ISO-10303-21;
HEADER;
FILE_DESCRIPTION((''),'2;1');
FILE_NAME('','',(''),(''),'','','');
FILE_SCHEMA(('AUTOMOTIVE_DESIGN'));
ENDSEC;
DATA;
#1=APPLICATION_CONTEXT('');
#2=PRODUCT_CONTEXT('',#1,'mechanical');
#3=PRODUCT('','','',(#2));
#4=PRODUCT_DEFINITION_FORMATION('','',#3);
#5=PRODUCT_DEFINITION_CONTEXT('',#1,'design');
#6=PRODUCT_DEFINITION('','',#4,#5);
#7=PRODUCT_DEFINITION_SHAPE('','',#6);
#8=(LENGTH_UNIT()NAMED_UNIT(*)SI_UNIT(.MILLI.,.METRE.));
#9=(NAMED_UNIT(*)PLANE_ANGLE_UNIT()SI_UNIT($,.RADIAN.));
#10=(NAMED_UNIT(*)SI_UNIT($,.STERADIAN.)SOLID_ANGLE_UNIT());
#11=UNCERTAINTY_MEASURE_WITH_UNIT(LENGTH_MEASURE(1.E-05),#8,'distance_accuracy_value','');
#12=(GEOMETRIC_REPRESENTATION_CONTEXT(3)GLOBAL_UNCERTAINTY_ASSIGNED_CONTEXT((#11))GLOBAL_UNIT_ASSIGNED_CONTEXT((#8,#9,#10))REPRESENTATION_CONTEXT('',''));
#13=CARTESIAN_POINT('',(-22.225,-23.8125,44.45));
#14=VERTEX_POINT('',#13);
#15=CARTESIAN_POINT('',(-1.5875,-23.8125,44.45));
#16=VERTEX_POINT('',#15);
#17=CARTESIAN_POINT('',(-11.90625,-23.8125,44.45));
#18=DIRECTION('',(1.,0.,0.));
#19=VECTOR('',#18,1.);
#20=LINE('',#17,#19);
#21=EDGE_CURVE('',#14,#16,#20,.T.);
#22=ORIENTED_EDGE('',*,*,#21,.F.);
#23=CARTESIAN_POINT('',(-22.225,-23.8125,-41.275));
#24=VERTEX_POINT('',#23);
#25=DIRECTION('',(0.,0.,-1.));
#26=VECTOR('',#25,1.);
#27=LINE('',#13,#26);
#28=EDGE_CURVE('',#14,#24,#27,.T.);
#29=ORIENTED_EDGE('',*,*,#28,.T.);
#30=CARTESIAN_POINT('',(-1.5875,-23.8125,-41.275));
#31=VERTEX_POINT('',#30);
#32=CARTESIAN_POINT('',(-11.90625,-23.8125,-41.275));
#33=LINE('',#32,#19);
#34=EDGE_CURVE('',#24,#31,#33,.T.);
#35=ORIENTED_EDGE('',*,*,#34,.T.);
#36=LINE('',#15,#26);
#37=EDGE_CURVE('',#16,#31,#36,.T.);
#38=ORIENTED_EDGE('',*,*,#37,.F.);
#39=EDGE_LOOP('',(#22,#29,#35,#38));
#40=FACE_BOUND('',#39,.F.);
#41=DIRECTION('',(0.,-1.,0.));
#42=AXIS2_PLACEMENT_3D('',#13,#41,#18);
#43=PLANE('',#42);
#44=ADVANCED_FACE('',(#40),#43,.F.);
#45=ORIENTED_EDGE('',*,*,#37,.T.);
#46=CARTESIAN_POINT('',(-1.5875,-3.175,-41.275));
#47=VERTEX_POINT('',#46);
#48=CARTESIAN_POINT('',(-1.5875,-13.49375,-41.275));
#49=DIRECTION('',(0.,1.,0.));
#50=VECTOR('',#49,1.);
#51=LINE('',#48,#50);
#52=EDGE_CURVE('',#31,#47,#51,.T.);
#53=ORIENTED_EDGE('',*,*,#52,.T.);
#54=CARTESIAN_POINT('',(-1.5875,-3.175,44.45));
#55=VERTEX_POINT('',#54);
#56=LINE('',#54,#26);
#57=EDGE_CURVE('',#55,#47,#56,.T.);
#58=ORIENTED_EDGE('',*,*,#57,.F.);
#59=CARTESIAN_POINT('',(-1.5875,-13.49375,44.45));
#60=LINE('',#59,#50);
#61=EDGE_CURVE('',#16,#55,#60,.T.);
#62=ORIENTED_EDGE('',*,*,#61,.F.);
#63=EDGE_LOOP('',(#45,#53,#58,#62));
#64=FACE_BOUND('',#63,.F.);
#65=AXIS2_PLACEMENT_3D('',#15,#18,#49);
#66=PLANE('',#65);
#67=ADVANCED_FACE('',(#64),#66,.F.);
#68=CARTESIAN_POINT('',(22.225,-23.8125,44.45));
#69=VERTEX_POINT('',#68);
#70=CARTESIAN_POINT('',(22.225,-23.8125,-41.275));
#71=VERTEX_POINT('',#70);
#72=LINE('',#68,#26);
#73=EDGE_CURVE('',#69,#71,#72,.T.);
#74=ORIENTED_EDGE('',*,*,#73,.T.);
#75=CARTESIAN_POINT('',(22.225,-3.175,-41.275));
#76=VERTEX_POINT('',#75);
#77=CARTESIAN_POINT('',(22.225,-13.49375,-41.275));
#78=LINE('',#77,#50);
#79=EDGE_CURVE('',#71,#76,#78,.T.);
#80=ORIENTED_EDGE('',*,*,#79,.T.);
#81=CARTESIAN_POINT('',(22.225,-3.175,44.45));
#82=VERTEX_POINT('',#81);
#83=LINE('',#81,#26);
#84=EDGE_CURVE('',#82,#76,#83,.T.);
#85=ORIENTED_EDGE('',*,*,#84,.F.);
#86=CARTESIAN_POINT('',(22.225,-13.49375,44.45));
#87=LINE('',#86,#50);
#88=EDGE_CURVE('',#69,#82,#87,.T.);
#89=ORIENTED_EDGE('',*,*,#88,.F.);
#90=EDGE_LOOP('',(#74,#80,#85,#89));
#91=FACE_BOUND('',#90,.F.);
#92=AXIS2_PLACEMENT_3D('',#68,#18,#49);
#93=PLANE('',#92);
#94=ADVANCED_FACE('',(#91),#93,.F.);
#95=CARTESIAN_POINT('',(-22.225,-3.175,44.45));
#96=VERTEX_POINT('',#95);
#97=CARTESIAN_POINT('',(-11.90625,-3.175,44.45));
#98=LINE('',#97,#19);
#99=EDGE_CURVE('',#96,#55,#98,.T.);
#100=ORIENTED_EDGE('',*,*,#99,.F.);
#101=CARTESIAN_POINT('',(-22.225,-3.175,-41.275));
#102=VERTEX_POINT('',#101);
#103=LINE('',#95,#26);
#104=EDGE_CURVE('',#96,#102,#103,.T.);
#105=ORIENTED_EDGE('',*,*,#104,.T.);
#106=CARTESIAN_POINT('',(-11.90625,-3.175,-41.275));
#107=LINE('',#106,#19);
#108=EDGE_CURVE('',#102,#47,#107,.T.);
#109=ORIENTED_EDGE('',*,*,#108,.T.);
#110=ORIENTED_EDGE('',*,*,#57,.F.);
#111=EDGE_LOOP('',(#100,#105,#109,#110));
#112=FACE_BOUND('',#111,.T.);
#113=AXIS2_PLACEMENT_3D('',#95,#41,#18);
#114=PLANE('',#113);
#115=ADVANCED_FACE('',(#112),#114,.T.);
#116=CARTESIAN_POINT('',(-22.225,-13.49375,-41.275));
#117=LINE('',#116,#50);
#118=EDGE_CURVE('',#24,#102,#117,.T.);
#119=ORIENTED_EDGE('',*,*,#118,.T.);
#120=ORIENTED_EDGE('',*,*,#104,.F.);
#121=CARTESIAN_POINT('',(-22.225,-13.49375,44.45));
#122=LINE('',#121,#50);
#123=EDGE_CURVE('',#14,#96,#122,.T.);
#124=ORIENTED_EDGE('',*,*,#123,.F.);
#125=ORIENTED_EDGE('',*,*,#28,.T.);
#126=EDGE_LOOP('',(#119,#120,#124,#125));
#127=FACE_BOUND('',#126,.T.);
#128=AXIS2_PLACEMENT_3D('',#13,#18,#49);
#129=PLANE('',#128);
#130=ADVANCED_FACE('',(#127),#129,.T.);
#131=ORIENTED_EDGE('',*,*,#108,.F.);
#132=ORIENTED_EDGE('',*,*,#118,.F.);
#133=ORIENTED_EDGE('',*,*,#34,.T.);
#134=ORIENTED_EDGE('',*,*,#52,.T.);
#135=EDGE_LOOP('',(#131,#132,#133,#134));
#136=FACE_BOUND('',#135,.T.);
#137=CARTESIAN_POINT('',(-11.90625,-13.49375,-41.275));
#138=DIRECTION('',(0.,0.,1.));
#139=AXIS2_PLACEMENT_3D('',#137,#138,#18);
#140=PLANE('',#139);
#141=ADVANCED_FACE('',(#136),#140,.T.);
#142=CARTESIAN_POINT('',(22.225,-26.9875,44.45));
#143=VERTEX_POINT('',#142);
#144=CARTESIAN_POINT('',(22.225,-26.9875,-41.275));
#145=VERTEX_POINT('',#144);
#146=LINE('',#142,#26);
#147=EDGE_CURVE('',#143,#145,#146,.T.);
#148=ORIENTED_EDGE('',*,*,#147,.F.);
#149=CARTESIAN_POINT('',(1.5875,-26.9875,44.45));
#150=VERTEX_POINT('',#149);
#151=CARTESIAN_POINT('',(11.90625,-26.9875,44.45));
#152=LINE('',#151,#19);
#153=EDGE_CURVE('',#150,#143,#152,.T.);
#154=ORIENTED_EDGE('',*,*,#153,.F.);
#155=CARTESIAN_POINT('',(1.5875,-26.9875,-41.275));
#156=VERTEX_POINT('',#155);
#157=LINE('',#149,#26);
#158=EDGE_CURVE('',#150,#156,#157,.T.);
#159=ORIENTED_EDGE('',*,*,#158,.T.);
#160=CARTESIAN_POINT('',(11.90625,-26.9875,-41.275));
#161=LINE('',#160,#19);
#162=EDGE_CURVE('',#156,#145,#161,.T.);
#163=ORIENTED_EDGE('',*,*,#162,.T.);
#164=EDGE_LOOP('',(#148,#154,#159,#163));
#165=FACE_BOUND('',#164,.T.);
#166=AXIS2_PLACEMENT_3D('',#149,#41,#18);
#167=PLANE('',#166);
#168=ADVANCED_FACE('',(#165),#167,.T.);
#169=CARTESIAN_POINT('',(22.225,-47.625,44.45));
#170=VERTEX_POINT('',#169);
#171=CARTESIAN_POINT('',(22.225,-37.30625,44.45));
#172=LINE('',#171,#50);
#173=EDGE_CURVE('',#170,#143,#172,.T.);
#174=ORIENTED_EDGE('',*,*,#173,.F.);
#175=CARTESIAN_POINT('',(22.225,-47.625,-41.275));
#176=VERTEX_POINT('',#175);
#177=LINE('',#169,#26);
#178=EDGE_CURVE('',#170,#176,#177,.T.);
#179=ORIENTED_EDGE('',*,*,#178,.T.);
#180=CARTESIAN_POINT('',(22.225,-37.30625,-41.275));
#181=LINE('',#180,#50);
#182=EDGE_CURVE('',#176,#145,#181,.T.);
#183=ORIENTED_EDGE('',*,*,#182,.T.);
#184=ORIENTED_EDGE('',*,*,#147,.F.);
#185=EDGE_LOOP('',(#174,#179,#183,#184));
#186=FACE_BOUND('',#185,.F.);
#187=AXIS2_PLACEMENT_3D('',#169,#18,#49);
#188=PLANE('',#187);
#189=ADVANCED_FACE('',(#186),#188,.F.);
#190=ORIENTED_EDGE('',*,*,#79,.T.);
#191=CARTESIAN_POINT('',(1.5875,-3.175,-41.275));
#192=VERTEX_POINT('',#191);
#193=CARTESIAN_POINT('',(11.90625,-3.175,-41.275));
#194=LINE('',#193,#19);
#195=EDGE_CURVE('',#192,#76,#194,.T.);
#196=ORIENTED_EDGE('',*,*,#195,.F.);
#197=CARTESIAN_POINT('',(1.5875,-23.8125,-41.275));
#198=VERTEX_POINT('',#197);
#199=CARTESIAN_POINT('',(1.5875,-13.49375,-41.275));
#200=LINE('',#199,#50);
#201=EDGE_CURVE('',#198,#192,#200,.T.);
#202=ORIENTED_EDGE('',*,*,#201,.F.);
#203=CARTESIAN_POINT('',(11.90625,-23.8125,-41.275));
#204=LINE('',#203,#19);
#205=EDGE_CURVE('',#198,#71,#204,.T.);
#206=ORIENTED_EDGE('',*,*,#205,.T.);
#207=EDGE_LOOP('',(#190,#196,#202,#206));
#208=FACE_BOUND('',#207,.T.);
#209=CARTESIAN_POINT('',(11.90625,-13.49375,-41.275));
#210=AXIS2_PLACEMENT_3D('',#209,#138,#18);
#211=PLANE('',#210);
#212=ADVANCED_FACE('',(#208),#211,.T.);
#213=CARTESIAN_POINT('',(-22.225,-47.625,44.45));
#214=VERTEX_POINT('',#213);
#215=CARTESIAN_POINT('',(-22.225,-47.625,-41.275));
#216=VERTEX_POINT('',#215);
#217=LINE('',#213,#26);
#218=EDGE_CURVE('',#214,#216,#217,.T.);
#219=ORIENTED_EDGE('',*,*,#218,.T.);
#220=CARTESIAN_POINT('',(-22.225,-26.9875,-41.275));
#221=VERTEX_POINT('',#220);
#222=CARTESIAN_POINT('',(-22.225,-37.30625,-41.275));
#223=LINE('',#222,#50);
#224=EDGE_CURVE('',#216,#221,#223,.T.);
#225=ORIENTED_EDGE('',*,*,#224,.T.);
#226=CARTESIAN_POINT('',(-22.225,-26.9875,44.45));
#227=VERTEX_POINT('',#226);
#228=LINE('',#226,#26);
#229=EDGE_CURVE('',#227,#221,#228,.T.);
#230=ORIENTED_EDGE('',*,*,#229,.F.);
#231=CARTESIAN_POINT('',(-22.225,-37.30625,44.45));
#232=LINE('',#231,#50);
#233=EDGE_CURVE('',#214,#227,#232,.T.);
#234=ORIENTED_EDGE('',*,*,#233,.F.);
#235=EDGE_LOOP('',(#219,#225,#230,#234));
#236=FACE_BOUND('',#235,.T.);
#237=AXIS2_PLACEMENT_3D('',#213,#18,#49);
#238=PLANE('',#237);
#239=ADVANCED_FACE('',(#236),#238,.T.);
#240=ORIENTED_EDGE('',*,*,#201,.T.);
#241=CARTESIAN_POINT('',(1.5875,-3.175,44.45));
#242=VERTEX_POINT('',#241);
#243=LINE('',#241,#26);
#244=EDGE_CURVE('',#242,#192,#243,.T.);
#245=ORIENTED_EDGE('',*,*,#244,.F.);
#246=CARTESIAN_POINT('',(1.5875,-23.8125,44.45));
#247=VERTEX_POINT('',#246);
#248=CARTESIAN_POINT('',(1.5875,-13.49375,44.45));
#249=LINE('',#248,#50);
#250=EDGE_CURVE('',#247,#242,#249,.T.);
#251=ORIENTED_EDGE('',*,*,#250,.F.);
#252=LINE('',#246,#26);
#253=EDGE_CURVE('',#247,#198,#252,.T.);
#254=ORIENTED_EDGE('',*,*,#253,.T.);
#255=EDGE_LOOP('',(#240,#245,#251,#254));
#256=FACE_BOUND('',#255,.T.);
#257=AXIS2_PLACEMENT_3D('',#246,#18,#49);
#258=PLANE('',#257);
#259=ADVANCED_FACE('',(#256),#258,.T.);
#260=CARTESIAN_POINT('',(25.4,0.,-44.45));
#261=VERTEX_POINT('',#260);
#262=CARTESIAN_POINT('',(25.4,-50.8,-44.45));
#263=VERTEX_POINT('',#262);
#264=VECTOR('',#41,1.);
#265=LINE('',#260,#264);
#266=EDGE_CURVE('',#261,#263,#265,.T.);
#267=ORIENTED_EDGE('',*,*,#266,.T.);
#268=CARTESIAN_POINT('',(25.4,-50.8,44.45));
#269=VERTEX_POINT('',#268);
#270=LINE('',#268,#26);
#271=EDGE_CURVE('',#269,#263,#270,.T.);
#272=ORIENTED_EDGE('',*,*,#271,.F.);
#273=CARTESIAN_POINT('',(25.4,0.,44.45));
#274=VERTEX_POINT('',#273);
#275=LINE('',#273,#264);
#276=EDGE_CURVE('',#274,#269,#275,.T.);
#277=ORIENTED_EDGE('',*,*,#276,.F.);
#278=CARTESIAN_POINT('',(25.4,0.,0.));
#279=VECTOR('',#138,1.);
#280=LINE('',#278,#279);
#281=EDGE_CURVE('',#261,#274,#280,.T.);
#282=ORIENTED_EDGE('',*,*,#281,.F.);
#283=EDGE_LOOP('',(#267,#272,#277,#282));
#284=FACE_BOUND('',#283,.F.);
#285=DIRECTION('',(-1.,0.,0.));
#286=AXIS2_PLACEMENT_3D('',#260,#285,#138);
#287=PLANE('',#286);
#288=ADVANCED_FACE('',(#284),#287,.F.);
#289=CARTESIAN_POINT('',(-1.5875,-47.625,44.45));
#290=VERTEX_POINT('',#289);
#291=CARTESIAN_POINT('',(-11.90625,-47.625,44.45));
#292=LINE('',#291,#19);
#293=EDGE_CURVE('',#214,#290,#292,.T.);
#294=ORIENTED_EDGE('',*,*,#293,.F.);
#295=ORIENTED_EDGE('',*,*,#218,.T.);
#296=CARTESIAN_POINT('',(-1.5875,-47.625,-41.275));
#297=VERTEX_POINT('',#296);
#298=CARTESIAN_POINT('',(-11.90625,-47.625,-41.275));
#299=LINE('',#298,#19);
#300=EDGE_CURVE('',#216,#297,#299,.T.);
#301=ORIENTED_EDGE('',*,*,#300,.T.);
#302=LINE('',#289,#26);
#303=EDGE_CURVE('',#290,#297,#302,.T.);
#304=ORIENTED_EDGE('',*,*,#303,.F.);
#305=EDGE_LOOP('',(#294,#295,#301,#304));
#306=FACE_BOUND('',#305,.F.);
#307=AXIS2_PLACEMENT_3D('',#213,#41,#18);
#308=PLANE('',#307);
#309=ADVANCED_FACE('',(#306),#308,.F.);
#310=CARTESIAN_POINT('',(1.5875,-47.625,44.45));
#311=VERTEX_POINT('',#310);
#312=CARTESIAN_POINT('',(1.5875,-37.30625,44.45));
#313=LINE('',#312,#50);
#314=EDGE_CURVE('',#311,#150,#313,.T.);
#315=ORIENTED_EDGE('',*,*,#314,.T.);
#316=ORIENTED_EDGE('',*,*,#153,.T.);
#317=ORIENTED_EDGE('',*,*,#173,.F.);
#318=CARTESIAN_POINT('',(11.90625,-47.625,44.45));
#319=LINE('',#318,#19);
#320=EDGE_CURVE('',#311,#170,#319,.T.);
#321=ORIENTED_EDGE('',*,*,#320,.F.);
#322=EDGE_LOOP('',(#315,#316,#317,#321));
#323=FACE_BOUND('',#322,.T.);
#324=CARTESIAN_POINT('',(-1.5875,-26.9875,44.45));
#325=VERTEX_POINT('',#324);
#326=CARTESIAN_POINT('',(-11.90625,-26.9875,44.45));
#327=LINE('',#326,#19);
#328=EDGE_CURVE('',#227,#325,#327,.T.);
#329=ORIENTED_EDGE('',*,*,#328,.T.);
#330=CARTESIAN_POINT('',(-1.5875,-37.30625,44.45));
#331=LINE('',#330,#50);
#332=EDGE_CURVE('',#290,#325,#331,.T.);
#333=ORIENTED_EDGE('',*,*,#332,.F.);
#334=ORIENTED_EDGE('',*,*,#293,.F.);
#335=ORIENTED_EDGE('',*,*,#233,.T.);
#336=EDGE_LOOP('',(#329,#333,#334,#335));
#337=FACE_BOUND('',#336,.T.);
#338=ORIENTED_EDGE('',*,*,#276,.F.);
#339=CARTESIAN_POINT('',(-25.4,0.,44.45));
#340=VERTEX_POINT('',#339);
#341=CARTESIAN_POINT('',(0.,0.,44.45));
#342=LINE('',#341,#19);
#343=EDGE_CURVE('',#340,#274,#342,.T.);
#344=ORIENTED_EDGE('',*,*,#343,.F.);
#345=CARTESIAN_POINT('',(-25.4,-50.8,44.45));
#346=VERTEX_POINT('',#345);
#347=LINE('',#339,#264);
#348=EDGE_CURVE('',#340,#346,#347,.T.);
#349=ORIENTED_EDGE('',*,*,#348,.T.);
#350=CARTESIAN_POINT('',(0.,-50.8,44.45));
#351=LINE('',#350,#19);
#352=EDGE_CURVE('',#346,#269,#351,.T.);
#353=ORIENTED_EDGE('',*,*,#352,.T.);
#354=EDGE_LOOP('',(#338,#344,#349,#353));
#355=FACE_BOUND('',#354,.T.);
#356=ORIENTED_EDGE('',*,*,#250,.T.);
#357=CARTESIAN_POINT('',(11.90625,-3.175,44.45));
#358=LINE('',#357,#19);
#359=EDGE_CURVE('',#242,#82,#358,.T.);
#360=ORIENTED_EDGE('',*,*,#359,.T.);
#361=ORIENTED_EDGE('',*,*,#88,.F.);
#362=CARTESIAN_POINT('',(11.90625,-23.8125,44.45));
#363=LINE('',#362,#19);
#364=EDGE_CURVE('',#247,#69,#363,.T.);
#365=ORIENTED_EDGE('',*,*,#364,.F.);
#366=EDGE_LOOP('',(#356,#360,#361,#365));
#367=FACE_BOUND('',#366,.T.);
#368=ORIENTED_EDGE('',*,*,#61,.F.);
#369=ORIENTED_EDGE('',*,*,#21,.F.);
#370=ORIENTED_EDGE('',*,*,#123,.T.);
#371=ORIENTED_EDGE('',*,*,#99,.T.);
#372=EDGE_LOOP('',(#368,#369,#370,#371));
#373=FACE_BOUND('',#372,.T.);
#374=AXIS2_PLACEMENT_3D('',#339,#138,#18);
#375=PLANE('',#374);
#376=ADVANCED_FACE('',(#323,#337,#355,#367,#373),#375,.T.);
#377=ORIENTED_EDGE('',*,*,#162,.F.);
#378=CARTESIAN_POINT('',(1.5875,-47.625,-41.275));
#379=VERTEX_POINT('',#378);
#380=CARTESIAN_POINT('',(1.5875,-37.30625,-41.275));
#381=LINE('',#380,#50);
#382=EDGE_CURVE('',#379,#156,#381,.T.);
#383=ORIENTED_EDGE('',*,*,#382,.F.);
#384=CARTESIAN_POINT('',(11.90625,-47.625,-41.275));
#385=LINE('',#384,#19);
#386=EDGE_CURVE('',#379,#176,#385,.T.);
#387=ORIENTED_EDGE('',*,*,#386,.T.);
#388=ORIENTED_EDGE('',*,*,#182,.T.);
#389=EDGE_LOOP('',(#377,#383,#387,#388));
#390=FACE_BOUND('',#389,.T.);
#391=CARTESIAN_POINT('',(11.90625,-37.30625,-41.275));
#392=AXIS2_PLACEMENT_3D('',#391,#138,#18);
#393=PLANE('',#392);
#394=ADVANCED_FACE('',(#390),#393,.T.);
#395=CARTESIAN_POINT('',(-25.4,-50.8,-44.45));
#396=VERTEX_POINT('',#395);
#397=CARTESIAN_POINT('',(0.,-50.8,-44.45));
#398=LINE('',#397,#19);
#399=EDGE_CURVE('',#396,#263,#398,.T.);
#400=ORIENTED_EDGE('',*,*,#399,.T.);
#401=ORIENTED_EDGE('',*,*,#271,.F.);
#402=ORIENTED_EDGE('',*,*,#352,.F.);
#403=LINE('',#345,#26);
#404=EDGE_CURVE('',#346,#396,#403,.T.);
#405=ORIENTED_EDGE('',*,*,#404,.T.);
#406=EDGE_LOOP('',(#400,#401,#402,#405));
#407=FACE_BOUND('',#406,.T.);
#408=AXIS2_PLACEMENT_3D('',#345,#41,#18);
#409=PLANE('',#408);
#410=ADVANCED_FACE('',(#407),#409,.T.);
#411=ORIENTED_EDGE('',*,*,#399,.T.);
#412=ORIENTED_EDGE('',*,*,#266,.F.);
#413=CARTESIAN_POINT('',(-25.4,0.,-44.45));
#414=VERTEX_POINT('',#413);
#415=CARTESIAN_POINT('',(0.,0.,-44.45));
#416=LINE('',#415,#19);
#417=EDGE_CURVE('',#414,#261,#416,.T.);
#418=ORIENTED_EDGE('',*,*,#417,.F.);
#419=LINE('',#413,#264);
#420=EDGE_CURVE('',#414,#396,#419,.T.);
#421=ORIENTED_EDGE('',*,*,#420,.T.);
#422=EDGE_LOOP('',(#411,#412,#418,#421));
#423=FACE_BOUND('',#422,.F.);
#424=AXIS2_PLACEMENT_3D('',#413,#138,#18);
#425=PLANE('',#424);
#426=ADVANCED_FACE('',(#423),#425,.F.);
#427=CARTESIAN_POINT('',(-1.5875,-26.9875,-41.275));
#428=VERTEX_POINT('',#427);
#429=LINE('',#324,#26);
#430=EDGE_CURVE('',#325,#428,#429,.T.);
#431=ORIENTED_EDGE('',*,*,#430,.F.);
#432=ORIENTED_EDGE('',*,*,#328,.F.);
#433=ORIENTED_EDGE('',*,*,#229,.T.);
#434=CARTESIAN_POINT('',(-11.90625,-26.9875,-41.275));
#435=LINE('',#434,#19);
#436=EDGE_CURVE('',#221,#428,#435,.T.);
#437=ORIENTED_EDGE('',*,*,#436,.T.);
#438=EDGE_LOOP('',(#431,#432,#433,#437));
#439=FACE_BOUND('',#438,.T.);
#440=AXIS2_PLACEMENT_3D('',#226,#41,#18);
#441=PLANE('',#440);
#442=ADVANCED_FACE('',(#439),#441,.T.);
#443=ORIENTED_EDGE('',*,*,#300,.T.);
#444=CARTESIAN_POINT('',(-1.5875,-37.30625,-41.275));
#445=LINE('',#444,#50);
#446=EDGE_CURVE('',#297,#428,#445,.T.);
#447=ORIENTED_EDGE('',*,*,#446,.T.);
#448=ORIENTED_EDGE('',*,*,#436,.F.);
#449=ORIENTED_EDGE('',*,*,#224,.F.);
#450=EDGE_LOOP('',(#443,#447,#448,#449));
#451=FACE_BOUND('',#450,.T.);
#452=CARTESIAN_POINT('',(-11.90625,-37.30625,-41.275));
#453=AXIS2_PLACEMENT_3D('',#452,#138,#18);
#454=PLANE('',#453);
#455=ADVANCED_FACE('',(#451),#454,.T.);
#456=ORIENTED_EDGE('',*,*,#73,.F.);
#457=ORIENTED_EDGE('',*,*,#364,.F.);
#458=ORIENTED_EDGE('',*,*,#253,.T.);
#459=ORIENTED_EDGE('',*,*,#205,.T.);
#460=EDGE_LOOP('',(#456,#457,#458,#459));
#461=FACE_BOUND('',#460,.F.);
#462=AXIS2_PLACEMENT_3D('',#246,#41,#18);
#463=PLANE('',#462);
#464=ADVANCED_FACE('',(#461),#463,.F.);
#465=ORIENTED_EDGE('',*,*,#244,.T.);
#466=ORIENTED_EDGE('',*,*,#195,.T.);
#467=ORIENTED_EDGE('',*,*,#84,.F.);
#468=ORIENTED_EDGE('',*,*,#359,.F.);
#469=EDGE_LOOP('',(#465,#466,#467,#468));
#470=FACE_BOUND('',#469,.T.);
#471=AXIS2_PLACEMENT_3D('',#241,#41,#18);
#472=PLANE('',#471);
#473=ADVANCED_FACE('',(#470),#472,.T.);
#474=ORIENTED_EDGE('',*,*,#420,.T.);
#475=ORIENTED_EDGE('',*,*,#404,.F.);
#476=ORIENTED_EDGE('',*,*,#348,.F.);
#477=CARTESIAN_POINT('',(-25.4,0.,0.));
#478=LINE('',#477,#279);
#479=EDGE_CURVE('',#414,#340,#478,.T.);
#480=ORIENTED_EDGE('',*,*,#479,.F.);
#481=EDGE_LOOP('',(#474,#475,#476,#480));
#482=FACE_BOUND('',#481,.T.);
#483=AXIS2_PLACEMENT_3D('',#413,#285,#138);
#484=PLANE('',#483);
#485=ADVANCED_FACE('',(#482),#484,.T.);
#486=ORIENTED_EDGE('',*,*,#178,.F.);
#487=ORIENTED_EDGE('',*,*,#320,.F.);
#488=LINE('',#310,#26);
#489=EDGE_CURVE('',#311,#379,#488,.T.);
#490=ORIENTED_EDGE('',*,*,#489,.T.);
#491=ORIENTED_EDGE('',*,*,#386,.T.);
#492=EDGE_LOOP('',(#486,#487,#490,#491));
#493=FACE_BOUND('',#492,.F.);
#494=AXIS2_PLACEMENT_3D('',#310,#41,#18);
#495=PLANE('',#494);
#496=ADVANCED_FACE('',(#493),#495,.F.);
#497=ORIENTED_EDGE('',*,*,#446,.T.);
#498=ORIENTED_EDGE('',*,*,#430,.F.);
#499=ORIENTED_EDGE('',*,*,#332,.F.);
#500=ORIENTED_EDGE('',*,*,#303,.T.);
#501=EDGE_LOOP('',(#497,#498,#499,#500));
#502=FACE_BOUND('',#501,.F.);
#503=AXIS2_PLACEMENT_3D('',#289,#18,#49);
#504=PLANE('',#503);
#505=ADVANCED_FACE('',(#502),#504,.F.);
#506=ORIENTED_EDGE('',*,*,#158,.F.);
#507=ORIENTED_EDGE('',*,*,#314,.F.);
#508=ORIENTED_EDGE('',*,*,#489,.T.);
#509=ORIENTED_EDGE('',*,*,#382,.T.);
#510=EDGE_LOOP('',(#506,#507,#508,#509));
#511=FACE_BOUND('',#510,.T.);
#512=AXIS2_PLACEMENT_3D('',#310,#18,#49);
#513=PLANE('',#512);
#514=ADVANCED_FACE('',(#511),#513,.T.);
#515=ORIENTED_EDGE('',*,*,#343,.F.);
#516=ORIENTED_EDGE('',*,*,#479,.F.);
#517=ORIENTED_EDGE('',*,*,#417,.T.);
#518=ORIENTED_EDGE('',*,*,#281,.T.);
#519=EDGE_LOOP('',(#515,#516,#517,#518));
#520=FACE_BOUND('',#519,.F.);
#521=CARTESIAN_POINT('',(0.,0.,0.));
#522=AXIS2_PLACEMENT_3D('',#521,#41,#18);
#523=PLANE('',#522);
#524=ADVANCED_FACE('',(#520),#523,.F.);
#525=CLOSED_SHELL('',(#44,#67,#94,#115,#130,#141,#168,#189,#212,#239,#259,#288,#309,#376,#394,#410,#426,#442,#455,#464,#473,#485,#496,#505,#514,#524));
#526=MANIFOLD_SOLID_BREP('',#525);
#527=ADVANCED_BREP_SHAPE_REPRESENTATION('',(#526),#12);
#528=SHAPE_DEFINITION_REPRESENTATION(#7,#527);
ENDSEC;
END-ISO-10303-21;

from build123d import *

# Parameters (mm, degrees)
F0_W      = 50.8
F0_H      = 88.9
F1_DEPTH  = 57.15
F2_W      = 20.6375
F2_H      = 20.6375
F3_DEPTH  = 85.725
F4_W      = 20.6375
F4_H      = 20.6375
F5_DEPTH  = 85.725
F6_W      = 20.6375
F6_H      = 20.6375
F7_DEPTH  = 85.725
F8_W      = 20.6375
F8_H      = 20.6375
F9_DEPTH  = 85.725
F10_W     = 50.8
F10_H     = 6.35
F11_DEPTH = 88.9


with BuildPart() as f1:
    # F0 (on Front) → F1 (new body)
    with BuildSketch(Plane.XZ):
        Rectangle(F0_W, F0_H)
    extrude(amount=F1_DEPTH)

    # F2 (on face) → F3 (cut)
    with BuildSketch(Plane.XY.offset(44.45)):
        with Locations((-11.90625, -13.49375)):
            Rectangle(F2_W, F2_H)
    extrude(amount=-F3_DEPTH, mode=Mode.SUBTRACT)

    # F4 (on face) → F5 (cut)
    with BuildSketch(Plane.XY.offset(44.45)):
        with Locations((11.90625, -13.49375)):
            Rectangle(F4_W, F4_H)
    extrude(amount=-F5_DEPTH, mode=Mode.SUBTRACT)

    # F6 (on face) → F7 (cut)
    with BuildSketch(Plane.XY.offset(44.45)):
        with Locations((-11.90625, -37.30625)):
            Rectangle(F6_W, F6_H)
    extrude(amount=-F7_DEPTH, mode=Mode.SUBTRACT)

    # F8 (on face) → F9 (cut)
    with BuildSketch(Plane.XY.offset(44.45)):
        with Locations((11.90625, -37.30625)):
            Rectangle(F8_W, F8_H)
    extrude(amount=-F9_DEPTH, mode=Mode.SUBTRACT)

    # F10 (on face) → F11 (cut)
    with BuildSketch(Plane.XY.offset(44.45)):
        with Locations((0, -53.975)):
            Rectangle(F10_W, F10_H)
    extrude(amount=-F11_DEPTH, mode=Mode.SUBTRACT)


solid = f1.part
